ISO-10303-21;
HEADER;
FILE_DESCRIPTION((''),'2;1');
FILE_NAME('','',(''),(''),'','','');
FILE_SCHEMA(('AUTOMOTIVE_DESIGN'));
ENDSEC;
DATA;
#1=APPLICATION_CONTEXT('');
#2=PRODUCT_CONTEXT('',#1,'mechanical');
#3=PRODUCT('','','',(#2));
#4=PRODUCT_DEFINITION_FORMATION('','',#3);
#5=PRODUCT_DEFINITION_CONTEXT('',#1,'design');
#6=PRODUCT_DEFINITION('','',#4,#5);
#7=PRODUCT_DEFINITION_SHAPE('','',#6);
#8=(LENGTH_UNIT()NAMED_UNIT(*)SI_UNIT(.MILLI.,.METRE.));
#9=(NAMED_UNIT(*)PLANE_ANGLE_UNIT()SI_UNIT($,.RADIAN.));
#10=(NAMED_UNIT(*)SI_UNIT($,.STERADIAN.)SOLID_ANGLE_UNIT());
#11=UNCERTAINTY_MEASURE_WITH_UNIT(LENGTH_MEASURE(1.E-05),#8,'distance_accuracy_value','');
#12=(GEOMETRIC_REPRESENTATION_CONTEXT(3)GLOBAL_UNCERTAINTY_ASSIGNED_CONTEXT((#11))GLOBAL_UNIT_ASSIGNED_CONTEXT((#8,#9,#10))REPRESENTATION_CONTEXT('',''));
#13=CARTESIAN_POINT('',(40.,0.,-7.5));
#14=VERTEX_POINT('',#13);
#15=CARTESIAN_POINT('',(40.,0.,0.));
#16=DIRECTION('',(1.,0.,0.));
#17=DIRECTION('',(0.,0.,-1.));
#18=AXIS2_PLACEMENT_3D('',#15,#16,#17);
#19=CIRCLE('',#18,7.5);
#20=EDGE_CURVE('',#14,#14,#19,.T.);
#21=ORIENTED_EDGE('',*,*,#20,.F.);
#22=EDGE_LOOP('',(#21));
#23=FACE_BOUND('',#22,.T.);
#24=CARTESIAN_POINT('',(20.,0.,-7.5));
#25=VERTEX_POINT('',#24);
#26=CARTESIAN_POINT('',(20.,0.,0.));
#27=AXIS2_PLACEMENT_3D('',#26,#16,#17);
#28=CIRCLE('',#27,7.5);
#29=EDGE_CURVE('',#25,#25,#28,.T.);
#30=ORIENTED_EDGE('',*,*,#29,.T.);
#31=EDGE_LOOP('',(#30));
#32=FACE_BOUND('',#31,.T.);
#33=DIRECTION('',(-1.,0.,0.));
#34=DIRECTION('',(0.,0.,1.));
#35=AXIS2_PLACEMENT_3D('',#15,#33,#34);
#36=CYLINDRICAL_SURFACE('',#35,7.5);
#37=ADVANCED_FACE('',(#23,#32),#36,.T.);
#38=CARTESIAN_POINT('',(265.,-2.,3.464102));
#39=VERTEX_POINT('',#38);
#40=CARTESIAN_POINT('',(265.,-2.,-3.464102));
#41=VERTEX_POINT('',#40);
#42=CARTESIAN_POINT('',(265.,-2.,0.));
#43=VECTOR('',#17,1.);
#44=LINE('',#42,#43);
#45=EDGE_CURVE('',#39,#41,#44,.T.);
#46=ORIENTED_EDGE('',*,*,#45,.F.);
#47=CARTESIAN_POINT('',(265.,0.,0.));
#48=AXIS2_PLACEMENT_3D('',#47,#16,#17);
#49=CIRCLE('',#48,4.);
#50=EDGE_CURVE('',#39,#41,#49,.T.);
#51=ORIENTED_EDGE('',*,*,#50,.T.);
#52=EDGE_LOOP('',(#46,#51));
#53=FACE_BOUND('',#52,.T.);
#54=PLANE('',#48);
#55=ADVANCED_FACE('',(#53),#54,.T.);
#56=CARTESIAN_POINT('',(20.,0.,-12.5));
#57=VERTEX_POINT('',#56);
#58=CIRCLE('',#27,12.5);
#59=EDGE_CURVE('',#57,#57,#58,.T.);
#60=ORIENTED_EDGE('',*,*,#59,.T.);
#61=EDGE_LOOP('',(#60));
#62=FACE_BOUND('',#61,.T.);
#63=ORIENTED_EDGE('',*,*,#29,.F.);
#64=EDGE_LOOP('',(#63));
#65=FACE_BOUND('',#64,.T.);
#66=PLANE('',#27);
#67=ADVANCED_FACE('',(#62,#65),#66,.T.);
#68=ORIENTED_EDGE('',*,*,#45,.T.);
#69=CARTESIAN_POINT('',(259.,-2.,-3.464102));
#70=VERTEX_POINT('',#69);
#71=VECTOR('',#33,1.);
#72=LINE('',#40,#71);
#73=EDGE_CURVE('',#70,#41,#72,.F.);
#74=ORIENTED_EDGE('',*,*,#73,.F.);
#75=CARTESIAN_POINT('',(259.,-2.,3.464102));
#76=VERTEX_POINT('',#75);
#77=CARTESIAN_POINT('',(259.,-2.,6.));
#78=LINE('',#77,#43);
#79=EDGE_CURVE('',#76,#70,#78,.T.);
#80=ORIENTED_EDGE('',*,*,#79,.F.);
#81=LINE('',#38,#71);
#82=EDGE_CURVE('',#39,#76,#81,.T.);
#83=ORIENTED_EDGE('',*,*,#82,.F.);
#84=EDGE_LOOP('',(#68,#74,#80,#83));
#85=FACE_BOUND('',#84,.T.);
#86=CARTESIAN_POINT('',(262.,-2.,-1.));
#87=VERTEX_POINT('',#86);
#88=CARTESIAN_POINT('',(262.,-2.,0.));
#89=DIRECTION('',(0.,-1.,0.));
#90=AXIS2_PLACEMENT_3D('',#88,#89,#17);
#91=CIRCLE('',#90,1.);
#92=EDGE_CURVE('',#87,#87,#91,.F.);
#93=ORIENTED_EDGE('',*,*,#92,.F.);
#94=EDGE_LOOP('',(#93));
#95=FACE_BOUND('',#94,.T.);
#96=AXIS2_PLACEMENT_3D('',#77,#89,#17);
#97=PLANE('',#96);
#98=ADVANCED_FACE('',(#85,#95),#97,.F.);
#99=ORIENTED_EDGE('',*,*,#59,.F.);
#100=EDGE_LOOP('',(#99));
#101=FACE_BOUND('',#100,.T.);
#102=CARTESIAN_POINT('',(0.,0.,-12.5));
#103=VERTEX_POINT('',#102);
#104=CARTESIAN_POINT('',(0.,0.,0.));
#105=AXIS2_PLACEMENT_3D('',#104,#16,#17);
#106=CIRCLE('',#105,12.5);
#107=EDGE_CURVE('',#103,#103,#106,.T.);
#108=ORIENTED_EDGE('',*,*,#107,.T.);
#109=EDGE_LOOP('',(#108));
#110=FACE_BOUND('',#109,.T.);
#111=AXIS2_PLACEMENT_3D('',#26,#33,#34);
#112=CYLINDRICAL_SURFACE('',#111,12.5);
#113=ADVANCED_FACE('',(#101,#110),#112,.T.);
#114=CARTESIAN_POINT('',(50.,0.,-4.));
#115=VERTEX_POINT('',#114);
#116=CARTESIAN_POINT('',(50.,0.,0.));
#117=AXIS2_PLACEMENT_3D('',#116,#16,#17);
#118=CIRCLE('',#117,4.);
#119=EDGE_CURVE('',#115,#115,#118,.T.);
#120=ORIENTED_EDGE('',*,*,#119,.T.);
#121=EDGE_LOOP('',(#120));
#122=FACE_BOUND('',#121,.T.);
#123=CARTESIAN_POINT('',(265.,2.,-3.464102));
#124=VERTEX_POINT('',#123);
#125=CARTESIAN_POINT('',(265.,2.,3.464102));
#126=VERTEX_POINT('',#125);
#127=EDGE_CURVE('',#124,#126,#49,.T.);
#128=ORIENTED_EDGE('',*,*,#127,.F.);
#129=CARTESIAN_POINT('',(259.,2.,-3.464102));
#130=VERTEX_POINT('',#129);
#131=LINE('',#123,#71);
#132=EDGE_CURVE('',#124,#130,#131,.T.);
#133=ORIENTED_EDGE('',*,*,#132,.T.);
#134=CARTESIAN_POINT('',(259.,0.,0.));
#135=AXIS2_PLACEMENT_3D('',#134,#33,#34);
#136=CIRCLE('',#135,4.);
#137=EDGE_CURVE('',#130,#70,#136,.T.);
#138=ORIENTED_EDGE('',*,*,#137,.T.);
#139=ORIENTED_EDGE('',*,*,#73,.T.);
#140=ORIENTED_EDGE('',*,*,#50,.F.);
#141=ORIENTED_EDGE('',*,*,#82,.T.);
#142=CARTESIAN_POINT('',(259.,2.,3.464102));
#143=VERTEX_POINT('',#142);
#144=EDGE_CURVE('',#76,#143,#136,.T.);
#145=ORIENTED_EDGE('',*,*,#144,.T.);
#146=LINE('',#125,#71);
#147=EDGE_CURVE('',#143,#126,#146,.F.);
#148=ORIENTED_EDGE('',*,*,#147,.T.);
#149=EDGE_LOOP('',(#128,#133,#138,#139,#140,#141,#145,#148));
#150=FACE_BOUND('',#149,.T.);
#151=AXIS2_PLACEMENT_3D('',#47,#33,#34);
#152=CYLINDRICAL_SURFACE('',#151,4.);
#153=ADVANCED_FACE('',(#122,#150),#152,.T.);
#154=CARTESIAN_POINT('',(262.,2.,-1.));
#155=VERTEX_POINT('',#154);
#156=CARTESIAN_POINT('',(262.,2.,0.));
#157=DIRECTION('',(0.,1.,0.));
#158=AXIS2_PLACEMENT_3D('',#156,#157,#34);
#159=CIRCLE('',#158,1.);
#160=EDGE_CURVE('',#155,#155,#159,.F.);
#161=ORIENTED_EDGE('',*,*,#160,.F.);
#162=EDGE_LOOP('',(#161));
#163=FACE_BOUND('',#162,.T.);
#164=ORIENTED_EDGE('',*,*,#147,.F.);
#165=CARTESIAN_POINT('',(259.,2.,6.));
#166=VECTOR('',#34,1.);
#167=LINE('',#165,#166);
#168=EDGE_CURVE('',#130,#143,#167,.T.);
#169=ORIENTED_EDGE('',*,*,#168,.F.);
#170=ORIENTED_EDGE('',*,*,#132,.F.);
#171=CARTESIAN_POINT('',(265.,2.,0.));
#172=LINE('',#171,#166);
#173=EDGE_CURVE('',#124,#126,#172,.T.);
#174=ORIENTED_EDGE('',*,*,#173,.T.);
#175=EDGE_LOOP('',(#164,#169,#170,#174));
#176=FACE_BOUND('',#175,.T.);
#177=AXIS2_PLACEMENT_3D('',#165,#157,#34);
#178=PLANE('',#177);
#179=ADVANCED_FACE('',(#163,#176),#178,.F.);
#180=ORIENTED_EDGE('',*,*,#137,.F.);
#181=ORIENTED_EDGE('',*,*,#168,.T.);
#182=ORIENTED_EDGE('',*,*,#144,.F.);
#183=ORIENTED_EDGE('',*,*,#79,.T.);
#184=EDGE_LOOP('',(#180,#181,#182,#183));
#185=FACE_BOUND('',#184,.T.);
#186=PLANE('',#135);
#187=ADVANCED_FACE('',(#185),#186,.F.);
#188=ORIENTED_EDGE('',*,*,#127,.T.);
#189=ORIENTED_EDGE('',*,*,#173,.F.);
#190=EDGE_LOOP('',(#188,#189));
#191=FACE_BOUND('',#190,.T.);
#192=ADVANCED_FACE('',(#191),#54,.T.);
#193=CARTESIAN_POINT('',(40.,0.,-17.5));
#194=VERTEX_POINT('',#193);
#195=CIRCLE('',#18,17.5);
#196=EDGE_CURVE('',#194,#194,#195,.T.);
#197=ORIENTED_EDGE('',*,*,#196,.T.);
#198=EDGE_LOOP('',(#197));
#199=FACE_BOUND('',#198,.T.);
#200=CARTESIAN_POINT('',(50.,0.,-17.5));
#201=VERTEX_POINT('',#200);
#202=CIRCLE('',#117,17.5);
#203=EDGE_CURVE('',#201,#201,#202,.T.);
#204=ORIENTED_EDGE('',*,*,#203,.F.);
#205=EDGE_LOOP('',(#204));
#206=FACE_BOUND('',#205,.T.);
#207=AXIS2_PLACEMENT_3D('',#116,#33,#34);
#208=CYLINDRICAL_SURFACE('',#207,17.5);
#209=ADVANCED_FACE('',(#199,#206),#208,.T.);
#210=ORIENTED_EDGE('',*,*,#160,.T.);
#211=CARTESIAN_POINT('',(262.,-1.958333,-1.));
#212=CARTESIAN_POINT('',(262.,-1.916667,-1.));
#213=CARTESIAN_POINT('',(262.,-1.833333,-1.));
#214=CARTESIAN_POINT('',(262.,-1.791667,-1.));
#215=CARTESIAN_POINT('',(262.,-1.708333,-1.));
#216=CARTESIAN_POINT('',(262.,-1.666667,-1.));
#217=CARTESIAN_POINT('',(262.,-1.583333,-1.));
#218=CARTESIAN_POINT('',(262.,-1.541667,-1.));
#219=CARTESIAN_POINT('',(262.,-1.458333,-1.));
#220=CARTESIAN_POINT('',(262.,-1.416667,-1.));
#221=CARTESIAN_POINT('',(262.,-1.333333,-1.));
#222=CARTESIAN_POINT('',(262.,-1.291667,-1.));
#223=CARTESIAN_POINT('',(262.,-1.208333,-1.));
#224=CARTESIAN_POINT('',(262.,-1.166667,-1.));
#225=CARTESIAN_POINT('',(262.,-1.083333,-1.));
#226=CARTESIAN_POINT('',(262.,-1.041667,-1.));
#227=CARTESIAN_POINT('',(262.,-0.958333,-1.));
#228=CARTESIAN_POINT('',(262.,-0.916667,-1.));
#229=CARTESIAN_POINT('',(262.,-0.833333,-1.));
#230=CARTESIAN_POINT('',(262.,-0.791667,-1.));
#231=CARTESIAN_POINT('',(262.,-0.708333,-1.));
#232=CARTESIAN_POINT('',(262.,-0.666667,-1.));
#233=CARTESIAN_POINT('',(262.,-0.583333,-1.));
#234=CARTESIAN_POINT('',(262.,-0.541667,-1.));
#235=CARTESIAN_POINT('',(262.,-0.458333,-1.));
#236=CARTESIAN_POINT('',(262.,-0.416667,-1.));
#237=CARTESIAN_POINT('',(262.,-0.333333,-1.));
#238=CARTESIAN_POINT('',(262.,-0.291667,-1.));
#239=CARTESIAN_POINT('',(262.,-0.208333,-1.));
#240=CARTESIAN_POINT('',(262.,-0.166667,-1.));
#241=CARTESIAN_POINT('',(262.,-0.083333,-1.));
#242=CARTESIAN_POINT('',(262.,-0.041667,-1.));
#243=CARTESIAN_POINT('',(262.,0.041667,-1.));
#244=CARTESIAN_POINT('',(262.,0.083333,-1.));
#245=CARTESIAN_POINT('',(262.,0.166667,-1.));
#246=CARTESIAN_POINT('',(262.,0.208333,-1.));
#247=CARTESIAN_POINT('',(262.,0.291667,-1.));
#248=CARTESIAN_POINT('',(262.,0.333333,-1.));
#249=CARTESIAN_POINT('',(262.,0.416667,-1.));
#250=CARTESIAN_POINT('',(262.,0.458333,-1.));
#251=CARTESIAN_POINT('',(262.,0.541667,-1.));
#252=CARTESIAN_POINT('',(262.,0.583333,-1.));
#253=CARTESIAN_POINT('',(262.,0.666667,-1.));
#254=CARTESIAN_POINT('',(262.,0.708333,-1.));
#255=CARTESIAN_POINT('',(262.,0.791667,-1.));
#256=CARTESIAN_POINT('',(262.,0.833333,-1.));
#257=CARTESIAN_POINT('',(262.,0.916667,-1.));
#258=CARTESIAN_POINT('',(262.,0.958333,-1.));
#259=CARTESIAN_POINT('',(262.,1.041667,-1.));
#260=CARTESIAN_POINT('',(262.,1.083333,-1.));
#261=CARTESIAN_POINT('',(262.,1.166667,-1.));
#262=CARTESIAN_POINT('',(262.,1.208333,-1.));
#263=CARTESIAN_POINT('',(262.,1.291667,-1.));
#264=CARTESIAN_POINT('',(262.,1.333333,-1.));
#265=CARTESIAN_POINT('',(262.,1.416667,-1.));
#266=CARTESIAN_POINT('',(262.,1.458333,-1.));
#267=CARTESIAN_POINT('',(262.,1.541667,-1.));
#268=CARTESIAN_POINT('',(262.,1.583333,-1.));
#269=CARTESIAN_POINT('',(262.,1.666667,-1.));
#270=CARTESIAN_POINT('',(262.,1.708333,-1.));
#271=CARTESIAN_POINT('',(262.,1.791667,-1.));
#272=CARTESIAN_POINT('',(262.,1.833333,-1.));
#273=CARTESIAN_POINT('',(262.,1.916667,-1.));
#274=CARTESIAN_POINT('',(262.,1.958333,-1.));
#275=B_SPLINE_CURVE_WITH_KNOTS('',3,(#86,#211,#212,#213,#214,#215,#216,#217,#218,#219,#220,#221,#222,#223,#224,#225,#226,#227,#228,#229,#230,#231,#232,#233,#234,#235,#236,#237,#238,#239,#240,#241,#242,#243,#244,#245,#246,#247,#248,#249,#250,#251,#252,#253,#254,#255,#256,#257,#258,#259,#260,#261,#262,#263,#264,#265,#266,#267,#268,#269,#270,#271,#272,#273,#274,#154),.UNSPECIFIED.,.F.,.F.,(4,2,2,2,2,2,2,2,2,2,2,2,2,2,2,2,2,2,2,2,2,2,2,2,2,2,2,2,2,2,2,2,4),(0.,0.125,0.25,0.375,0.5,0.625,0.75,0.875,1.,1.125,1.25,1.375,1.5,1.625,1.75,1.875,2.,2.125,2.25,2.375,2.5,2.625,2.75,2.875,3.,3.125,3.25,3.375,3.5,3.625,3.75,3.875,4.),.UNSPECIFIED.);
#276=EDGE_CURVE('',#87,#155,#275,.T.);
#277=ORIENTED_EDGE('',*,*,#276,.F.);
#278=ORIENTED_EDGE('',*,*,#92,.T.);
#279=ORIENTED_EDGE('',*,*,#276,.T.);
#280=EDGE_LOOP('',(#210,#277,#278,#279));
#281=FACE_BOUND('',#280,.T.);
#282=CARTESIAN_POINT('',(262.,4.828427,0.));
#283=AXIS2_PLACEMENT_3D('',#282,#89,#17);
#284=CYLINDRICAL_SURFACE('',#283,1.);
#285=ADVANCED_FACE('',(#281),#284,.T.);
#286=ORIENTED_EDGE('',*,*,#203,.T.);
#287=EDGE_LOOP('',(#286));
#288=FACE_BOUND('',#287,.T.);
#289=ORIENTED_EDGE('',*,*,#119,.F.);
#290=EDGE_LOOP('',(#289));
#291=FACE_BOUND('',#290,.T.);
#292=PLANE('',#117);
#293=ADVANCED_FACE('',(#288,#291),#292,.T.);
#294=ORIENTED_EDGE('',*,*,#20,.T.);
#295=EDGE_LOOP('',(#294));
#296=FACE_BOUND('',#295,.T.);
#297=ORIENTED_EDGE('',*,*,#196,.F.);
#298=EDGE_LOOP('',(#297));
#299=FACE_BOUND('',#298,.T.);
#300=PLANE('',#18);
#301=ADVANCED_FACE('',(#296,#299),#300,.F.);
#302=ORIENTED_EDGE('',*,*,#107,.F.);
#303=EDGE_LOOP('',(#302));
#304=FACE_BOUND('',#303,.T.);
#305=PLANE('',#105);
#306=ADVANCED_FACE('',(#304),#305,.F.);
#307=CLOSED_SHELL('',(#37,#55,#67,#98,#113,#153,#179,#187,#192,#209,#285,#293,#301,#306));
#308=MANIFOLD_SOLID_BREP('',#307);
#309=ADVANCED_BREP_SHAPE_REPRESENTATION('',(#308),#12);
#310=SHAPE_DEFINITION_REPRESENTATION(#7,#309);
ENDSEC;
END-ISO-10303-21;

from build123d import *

# Parameters (mm, degrees)
SKETCH1_R           = 12.5
BOSS_EXTRUDE1_DEPTH = 20
SKETCH2_R           = 7.5
BOSS_EXTRUDE2_DEPTH = 20
SKETCH3_R           = 17.5
BOSS_EXTRUDE3_DEPTH = 10
SKETCH4_R           = 4
BOSS_EXTRUDE4_DEPTH = 215
SKETCH5_W           = 12
SKETCH5_H           = 4
CUT_EXTRUDE1_DEPTH  = 6
SKETCH6_R           = 1
BOSS_EXTRUDE5_DEPTH = 4


with BuildPart() as part:
    # Sketch1 → Boss-Extrude1 (new body)
    with BuildSketch(Plane(origin=(0, 0, 0), x_dir=(0, 0, -1), z_dir=(1, 0, 0))):
        Circle(SKETCH1_R)
    extrude(amount=BOSS_EXTRUDE1_DEPTH)

    # Sketch2 → Boss-Extrude2 (add)
    with BuildSketch(Plane(origin=(20, 0, 0), x_dir=(0, 0, -1), z_dir=(1, 0, 0))):
        Circle(SKETCH2_R)
    extrude(amount=BOSS_EXTRUDE2_DEPTH)

    # Sketch3 → Boss-Extrude3 (add)
    with BuildSketch(Plane(origin=(40, 0, 0), x_dir=(0, 0, -1), z_dir=(1, 0, 0))):
        Circle(SKETCH3_R)
    extrude(amount=BOSS_EXTRUDE3_DEPTH)

    # Sketch4 → Boss-Extrude4 (add)
    with BuildSketch(Plane(origin=(50, 0, 0), x_dir=(0, 0, -1), z_dir=(1, 0, 0))):
        Circle(SKETCH4_R)
    extrude(amount=BOSS_EXTRUDE4_DEPTH)

    # Sketch5 → Cut-Extrude1 (cut)
    with BuildSketch(Plane(origin=(265, 0, 0), x_dir=(0, 0, -1), z_dir=(1, 0, 0))):
        Rectangle(SKETCH5_W, SKETCH5_H)
    extrude(amount=-CUT_EXTRUDE1_DEPTH, mode=Mode.SUBTRACT)

    # Sketch6 → Boss-Extrude5 (add)
    with BuildSketch(Plane(origin=(0, -2, 0), x_dir=(1, 0, 0), z_dir=(0, 1, 0))):
        with Locations(Location((262, 0, 0), (0, 0, 90))):
            Circle(SKETCH6_R)
    extrude(amount=BOSS_EXTRUDE5_DEPTH)


solid = part.part
